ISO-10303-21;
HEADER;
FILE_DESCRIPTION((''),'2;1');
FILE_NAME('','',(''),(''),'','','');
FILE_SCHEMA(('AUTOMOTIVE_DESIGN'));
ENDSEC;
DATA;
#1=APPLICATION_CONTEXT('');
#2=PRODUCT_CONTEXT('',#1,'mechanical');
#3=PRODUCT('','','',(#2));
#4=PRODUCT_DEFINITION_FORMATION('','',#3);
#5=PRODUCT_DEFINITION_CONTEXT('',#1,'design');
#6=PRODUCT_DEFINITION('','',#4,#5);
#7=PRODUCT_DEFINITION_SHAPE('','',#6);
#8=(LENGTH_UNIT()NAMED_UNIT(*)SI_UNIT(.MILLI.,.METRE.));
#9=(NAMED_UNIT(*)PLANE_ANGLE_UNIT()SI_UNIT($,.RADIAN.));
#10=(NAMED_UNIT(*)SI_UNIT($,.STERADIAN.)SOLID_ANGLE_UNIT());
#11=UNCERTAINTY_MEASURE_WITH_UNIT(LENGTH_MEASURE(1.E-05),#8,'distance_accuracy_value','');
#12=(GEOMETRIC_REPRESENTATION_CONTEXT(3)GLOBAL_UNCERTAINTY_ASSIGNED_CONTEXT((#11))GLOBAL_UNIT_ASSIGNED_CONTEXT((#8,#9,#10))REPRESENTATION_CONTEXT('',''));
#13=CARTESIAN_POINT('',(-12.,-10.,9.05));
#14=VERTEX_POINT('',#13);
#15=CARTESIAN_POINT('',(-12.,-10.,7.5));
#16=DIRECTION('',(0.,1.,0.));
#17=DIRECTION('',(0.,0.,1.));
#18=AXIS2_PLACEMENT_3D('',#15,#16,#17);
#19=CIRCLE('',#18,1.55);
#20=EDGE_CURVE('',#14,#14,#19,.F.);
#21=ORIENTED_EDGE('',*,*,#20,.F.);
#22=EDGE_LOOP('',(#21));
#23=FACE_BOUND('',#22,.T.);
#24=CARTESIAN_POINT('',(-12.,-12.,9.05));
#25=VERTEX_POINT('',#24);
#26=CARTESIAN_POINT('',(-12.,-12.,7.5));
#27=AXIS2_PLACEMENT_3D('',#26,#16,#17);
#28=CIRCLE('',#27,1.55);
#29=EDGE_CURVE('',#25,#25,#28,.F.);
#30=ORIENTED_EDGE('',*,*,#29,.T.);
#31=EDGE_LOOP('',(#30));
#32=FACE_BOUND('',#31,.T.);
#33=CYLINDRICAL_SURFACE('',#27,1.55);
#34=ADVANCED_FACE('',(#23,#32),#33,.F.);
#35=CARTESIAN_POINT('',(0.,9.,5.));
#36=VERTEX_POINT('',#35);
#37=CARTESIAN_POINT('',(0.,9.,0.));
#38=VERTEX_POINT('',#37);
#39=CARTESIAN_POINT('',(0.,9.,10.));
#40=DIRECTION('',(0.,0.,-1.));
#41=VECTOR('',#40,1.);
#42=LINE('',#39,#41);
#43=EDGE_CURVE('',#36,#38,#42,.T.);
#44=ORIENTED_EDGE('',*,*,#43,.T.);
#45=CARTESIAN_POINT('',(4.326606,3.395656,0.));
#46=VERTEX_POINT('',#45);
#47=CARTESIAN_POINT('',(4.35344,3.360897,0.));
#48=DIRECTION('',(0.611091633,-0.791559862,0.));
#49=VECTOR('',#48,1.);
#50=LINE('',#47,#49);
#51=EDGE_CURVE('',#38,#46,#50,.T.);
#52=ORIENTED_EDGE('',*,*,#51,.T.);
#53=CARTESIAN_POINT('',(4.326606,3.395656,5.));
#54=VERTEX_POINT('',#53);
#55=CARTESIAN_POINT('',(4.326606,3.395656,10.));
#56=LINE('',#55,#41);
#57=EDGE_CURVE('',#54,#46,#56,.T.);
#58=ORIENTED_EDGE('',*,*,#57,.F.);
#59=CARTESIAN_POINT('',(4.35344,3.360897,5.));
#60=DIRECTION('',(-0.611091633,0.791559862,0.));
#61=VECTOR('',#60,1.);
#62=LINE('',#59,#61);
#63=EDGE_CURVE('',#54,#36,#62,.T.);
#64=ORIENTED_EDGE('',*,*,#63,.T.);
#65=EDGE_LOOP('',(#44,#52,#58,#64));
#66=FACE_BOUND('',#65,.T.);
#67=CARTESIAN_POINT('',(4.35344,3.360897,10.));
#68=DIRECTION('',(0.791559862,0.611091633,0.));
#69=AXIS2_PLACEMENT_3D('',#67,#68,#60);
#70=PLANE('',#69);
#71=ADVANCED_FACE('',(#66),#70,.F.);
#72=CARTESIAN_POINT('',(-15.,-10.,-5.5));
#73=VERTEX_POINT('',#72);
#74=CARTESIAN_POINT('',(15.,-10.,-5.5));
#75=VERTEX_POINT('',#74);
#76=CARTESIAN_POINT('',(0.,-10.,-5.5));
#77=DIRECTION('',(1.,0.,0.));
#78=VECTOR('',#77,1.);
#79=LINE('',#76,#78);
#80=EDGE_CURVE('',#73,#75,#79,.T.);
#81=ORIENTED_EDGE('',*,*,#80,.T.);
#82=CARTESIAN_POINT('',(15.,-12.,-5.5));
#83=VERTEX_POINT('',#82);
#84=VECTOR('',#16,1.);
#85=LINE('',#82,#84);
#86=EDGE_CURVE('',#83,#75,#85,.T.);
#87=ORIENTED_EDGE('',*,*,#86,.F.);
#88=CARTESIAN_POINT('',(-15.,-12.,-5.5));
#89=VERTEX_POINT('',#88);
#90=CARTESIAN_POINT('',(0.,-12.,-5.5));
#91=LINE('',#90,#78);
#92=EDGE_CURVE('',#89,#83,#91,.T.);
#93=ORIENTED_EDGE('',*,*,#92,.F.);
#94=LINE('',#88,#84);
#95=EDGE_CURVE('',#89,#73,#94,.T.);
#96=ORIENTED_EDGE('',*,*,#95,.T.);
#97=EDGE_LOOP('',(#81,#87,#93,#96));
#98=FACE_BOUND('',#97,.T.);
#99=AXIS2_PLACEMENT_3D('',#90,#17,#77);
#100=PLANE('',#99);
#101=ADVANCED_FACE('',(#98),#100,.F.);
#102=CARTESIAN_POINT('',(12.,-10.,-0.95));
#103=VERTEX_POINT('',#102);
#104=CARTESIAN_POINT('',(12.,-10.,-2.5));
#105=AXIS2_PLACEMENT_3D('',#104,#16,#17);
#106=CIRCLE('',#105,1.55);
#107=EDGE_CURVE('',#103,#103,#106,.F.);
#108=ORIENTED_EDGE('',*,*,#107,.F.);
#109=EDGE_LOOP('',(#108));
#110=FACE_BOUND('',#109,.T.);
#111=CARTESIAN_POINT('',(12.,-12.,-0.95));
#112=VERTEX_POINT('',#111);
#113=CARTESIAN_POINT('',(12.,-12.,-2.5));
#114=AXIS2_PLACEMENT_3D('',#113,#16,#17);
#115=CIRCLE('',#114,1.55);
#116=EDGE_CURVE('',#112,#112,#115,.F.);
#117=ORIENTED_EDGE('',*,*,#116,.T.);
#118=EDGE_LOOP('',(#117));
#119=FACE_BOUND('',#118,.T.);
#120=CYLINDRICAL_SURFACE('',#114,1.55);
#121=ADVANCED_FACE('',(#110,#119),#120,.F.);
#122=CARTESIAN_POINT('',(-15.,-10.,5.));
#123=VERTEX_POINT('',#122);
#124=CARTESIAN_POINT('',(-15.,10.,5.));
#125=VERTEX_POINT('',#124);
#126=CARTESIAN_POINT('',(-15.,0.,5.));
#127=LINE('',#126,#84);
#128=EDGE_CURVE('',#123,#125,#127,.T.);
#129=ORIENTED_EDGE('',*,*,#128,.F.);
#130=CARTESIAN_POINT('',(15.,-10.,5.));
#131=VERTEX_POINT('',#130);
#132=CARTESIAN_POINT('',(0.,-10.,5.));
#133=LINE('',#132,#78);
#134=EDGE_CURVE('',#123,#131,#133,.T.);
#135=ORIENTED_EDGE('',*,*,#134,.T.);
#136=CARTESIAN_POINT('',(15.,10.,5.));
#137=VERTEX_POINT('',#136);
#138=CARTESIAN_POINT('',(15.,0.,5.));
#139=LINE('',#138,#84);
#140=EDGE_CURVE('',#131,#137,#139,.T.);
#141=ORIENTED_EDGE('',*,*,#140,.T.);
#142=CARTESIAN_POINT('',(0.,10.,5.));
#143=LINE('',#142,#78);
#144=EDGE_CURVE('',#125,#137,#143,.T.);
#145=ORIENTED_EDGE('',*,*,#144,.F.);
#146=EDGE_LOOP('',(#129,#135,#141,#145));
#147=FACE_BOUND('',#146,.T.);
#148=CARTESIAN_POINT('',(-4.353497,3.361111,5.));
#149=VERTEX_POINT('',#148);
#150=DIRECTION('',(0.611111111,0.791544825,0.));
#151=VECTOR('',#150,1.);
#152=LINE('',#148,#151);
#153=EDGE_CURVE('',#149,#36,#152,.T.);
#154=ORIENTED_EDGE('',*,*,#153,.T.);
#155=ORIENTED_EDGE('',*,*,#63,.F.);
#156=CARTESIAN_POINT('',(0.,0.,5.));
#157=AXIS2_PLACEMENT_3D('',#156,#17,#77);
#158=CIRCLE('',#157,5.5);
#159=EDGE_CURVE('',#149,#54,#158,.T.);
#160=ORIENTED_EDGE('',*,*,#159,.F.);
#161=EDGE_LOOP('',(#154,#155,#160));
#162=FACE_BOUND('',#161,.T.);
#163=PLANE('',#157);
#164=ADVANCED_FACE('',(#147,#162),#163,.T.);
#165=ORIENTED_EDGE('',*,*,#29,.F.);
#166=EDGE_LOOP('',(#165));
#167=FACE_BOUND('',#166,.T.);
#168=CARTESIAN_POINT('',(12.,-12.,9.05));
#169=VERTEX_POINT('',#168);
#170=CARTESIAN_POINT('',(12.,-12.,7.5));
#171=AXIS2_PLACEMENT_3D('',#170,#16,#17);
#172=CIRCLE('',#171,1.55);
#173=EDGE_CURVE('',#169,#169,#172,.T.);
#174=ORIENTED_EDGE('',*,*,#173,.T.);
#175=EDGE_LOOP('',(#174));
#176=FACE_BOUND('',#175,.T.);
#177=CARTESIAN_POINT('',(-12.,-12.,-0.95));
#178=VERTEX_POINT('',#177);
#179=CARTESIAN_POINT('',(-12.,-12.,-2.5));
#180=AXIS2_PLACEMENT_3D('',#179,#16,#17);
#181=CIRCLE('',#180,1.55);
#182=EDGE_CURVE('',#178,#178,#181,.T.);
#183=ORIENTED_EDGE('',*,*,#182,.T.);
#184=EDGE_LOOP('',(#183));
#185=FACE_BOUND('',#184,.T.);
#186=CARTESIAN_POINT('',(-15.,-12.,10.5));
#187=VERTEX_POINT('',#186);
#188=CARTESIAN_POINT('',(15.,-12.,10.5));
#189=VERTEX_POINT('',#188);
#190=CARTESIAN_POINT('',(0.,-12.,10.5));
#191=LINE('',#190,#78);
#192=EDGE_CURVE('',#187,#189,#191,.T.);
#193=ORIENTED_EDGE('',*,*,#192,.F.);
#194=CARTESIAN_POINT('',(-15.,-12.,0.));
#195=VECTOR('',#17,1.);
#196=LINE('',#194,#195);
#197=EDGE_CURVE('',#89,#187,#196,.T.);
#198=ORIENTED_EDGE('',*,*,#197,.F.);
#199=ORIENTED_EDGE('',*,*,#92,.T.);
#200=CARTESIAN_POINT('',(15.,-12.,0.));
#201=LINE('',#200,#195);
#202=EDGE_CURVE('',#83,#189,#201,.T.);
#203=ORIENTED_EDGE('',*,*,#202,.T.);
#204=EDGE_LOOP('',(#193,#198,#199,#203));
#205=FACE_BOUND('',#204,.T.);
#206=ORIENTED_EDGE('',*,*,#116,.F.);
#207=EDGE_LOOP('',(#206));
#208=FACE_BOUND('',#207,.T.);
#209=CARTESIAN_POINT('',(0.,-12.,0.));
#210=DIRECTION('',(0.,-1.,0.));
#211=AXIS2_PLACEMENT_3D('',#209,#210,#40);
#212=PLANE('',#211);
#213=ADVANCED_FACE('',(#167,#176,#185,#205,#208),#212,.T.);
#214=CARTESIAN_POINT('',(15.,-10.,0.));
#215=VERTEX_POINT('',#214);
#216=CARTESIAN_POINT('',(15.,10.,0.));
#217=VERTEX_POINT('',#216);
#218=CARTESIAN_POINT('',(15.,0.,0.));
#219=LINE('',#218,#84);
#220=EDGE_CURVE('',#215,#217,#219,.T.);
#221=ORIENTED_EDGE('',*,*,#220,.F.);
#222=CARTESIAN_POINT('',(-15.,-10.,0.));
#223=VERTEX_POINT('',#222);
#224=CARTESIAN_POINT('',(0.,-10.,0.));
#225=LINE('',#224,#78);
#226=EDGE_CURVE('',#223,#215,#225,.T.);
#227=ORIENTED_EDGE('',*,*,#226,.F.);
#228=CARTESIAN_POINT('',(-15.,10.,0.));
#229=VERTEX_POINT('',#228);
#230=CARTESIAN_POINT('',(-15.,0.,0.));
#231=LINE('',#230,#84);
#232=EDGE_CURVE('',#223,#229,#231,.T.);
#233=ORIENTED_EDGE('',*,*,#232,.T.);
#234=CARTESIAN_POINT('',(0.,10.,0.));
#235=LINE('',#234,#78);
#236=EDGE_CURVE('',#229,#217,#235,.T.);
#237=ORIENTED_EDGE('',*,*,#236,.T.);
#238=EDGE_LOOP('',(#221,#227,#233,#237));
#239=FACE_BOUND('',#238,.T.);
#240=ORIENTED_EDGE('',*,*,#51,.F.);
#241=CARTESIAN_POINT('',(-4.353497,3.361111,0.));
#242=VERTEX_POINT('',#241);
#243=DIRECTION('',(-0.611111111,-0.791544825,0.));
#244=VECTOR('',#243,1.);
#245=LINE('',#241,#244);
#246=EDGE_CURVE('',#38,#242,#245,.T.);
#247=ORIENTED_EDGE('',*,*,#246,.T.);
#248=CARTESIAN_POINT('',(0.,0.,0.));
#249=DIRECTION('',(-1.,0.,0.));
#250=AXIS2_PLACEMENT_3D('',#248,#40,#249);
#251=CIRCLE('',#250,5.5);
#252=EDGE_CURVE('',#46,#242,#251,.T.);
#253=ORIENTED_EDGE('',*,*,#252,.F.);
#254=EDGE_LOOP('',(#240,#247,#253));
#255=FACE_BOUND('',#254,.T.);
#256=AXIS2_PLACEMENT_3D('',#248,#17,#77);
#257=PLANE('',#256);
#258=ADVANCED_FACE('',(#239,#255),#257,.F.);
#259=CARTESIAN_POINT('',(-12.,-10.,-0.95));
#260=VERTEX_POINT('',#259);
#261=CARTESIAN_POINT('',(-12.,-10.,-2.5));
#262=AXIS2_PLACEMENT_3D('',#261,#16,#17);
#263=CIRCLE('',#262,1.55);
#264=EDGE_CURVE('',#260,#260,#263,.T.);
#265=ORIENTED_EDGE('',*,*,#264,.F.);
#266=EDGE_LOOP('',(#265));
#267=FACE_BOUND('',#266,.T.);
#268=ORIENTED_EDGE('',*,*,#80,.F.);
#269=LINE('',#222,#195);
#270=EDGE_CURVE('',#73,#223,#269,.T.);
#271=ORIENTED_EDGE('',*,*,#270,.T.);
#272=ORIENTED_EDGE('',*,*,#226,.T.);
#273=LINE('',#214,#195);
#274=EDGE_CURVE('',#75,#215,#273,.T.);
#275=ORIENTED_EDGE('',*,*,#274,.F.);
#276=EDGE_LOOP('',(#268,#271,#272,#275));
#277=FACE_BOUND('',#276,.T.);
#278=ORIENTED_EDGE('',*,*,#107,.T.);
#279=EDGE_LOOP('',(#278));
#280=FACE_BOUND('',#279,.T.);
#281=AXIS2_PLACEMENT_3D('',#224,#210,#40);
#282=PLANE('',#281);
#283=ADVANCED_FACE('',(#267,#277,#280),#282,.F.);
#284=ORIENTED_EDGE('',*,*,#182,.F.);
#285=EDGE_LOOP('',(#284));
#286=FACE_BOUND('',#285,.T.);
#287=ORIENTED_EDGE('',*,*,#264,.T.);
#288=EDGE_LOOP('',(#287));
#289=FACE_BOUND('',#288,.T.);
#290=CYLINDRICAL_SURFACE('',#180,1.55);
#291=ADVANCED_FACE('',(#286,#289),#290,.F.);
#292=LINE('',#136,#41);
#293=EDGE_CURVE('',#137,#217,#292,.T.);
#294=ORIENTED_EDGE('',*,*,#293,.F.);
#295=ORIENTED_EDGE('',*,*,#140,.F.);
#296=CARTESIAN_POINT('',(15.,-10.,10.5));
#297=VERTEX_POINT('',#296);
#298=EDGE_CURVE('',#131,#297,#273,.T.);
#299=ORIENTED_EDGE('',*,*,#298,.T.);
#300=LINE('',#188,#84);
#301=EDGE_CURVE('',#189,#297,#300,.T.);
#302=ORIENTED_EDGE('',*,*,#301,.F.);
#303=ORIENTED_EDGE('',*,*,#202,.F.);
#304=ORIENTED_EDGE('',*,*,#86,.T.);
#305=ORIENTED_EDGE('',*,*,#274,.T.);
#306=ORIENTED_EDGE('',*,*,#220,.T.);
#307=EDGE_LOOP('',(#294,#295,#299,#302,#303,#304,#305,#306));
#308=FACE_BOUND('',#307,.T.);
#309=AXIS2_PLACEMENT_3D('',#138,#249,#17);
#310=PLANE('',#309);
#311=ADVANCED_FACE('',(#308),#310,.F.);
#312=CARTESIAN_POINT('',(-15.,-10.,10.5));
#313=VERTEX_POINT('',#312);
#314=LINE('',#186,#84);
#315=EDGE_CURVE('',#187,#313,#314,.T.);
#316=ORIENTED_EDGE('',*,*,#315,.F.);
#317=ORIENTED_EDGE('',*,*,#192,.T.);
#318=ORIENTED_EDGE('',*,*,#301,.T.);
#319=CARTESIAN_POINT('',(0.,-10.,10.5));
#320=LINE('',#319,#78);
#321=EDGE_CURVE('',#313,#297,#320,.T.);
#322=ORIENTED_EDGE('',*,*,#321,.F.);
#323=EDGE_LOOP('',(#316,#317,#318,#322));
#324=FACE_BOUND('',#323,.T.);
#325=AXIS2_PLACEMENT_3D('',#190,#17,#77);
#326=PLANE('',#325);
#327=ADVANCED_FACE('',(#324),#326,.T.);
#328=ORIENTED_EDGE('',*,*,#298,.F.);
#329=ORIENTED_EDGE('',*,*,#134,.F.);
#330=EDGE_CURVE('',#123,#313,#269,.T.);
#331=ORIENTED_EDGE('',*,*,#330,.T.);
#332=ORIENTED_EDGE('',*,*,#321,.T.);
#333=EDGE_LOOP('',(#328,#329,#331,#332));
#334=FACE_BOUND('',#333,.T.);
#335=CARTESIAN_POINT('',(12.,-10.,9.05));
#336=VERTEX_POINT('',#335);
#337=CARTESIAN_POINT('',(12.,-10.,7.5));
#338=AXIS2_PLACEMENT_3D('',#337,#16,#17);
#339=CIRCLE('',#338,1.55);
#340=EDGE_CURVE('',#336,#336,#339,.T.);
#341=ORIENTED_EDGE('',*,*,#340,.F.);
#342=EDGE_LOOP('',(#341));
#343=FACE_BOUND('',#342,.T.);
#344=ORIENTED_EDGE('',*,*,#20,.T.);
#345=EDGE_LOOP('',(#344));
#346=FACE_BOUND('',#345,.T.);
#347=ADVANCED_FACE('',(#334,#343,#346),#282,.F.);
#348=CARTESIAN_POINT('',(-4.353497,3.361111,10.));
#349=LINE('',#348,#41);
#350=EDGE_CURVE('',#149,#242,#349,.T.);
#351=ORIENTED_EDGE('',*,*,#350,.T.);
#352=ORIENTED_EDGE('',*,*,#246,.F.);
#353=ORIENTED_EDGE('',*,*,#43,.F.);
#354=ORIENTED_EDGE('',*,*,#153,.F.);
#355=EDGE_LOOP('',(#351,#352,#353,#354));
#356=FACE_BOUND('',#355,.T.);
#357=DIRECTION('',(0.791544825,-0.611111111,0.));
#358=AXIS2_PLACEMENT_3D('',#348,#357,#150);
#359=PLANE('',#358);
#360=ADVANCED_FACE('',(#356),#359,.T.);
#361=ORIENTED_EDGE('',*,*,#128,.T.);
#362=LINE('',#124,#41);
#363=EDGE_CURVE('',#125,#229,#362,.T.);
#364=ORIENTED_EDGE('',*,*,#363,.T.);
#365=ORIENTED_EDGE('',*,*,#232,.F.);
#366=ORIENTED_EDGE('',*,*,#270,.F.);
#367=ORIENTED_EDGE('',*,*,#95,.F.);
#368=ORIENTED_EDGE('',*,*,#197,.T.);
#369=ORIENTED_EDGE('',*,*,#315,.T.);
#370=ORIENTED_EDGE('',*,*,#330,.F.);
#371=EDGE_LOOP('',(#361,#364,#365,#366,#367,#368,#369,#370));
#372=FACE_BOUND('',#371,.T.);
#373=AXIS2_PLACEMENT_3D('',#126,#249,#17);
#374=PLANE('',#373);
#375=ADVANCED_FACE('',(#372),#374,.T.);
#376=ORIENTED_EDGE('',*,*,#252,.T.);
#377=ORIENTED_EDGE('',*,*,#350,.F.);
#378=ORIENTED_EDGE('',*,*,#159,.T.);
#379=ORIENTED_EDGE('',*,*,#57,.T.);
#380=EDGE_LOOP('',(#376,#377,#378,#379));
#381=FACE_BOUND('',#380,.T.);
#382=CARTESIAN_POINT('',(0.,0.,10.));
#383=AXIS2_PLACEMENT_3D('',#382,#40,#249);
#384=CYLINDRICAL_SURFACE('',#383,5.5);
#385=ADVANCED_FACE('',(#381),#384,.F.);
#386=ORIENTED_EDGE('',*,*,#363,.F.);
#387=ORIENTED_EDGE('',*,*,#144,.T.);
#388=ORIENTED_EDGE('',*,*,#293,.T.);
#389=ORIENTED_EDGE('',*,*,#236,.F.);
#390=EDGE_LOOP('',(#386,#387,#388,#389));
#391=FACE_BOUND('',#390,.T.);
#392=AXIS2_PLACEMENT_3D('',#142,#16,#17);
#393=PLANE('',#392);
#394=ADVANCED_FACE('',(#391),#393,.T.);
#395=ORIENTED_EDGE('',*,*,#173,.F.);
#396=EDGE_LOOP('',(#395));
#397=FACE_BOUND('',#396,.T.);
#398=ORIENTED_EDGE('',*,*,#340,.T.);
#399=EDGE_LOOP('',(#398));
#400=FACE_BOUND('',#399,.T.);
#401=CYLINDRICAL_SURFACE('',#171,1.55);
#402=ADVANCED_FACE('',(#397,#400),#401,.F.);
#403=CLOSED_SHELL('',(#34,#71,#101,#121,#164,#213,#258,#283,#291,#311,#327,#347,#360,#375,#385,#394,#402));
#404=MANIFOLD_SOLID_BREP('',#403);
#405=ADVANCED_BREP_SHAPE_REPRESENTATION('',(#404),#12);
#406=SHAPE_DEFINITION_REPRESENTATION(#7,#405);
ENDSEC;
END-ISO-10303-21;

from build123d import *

# Parameters (mm, degrees)
EXTRUDE_1_DEPTH     = 5
SKETCH_2_W          = 15
SKETCH_2_H          = 5
EXTRUDE_3_DEPTH     = 2
SKETCH_4_R          = 1.55
CUT_EXTRUDE_1_DEPTH = 2
SKETCH_7_R          = 5.5
CUT_EXTRUDE_7_DEPTH = 10


with BuildPart() as part:
    # 草图1 → 凸台-拉伸1 (new body)
    with BuildSketch(Plane.XY):
        Polygon((15, 10), (0, 10), (-15, 10), (-15, -10), (15, -10), align=None)
        with BuildLine():
            Line((-4.044639437, 3.577833398), (0, 8.150214535))
            Line((0, 8.150214535), (4.04465135, 3.577819931))
            ThreePointArc((4.04465135, 3.577819931), (5.049807783, 1.912966637), (5.4, 0))
            ThreePointArc((5.4, 0), (-1.912975044, -5.049804598), (-4.044639437, 3.577833398))
        make_face(mode=Mode.SUBTRACT)
    extrude(amount=EXTRUDE_1_DEPTH)

    # 草图2 → 凸台-拉伸3 (add)
    with BuildSketch(Plane.XZ.offset(10)):
        Polygon((15, 0), (0, 0), (-15, 0), (-15, -5.5), (15, -5.5), align=None)
        Polygon((-15, 5), (0, 5), (15, 5), (15, 10.5), (-15, 10.5), align=None)
        with Locations((-7.5, 2.5)):
            Rectangle(SKETCH_2_W, SKETCH_2_H)
        with Locations((7.5, 2.5)):
            Rectangle(SKETCH_2_W, SKETCH_2_H)
    extrude(amount=EXTRUDE_3_DEPTH)

    # 草图4 → 切除-拉伸1 (cut)
    with BuildSketch(Plane(origin=(0, -10, 0), x_dir=(1, 0, 0), z_dir=(0, 1, 0))):
        with BuildLine():
            ThreePointArc((-10.45, 2.5), (-10.903984489, 3.596015511), (-12, 4.05))
            Line((-12, 4.05), (-12, 2.5))
            Line((-12, 2.5), (-13.55, 2.5))
            ThreePointArc((-13.55, 2.5), (-12, 0.95), (-10.45, 2.5))
        make_face()
        with BuildLine():
            Line((-12, 2.5), (-12, 4.05))
            ThreePointArc((-12, 4.05), (-13.096015511, 3.596015511), (-13.55, 2.5))
            Line((-13.55, 2.5), (-12, 2.5))
        make_face()
        with Locations(Location((12, 2.5, 0), (0, 0, 270))):
            Circle(SKETCH_4_R)
        with Locations(Location((12, -7.5, 0), (0, 0, 270))):
            Circle(SKETCH_4_R)
        with Locations(Location((-12, -7.5, 0), (0, 0, 270))):
            Circle(SKETCH_4_R)
    extrude(amount=-CUT_EXTRUDE_1_DEPTH, mode=Mode.SUBTRACT)

    # 草图7 → 切除-拉伸7 (cut)
    with BuildSketch(Plane(origin=(0, 0, 0), x_dir=(-1, 0, 0), z_dir=(0, 0, -1))):
        with BuildLine():
            Line((-3.352919189, 4.359808816), (0, 8.150214535))
            Line((0, 8.150214535), (0, 9))
            Line((0, 9), (-4.326606057, 3.395656052))
            ThreePointArc((-4.326606057, 3.395656052), (-3.869906283, 3.908174172), (-3.352919189, 4.359808816))
        make_face()
        with BuildLine():
            Line((0, 9), (0, 8.150214535))
            Line((0, 8.150214535), (3.352919189, 4.359808816))
            ThreePointArc((3.352919189, 4.359808816), (3.885429206, 3.89274195), (4.353496537, 3.361111111))
            Line((4.353496537, 3.361111111), (0, 9))
        make_face()
        Circle(SKETCH_7_R)
        with BuildLine():
            Line((0, 8.150214535), (4.044639437, 3.577833398))
            ThreePointArc((4.044639437, 3.577833398), (8.99e-06, -5.4), (-4.04465135, 3.577819931))
            Line((-4.04465135, 3.577819931), (0, 8.150214535))
        make_face()
    extrude(amount=-CUT_EXTRUDE_7_DEPTH, mode=Mode.SUBTRACT)


solid = part.part
